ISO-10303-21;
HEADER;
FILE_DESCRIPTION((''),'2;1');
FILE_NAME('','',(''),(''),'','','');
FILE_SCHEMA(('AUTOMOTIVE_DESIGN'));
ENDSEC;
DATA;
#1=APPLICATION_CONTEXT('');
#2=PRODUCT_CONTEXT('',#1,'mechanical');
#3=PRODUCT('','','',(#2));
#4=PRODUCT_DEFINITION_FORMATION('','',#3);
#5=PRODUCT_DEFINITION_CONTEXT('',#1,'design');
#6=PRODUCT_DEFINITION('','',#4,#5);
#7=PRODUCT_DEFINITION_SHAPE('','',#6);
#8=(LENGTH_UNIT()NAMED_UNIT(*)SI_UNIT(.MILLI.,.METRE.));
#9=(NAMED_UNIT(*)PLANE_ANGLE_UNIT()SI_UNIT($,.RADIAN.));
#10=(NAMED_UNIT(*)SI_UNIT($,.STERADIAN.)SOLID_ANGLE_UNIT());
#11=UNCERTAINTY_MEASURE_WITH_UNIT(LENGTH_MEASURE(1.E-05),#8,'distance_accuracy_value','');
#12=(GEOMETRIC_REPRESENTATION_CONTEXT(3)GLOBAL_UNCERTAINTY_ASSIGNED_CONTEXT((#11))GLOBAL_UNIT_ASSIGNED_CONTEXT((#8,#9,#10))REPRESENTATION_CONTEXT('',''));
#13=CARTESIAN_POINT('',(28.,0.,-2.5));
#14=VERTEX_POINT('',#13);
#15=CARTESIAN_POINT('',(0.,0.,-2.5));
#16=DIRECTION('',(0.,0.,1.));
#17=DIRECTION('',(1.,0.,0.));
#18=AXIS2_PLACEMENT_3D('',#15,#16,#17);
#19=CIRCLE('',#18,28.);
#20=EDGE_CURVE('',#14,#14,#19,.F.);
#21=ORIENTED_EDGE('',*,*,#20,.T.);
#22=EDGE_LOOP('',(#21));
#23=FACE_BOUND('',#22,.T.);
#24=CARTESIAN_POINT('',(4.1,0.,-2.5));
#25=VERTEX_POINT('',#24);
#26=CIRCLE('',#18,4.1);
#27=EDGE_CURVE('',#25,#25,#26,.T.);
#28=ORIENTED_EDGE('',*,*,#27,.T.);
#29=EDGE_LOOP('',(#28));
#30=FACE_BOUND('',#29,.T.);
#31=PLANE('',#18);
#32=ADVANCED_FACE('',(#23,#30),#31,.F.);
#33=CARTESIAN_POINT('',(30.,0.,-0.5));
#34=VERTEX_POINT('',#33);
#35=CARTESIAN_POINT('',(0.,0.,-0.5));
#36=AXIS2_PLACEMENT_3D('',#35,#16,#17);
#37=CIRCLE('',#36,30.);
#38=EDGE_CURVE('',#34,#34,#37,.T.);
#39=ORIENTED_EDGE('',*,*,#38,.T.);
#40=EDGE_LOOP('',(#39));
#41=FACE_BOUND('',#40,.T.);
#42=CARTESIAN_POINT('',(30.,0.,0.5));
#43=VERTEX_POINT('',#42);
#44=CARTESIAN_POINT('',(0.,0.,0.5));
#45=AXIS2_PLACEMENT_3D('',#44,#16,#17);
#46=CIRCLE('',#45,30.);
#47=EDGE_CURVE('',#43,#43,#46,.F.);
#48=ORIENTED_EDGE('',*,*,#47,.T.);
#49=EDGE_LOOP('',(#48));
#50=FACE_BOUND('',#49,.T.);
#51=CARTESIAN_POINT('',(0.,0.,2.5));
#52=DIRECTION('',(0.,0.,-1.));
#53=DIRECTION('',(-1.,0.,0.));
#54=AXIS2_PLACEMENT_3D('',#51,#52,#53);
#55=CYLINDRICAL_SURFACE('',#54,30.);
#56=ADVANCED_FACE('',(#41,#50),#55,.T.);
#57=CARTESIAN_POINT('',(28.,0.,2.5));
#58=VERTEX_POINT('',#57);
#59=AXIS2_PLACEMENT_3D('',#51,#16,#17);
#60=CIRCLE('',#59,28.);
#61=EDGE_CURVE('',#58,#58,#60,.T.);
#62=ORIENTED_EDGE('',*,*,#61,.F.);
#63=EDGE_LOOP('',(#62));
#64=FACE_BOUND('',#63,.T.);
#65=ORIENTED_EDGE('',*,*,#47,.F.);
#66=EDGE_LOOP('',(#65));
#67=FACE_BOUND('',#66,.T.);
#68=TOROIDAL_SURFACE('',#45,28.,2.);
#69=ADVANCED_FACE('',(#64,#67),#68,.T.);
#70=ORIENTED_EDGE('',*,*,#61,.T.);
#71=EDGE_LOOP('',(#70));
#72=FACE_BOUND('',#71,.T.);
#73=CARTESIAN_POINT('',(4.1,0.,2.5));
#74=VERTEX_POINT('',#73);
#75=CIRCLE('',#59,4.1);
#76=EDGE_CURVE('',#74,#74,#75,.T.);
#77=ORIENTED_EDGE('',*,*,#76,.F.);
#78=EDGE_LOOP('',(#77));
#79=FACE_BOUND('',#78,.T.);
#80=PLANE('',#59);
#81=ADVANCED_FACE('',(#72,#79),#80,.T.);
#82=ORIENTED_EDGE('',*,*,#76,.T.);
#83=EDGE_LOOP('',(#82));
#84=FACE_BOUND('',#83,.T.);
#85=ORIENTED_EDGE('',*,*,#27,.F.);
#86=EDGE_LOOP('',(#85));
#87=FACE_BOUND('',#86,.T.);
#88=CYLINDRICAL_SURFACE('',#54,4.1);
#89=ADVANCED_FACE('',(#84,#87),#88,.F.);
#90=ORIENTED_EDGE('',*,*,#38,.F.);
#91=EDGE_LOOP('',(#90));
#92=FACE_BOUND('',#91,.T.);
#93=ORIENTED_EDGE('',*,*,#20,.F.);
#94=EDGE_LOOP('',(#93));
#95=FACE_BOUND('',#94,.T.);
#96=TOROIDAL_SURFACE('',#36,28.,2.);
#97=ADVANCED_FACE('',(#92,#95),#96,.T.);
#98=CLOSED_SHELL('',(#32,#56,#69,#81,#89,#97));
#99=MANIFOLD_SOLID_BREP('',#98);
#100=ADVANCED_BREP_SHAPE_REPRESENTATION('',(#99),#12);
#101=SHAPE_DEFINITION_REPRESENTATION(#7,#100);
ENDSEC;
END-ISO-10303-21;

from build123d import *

# Parameters (mm, degrees)
SKIZZE1_R                       = 30
SKIZZE1_R_2                     = 4.1
AUFSATZ_LINEAR_AUSTRAGEN1_DEPTH = 2.5
VERRUNDUNG1_R                   = 2


with BuildPart() as part:
    # Skizze1 → Aufsatz-Linear austragen1 (new body, symmetric)
    with BuildSketch(Plane.XY):
        Circle(SKIZZE1_R)
        Circle(SKIZZE1_R_2, mode=Mode.SUBTRACT)
    extrude(amount=AUFSATZ_LINEAR_AUSTRAGEN1_DEPTH, both=True)

    # Verrundung1
    verrundung1_edges = [part.edges().sort_by_distance(p)[0] for p in [
        (-30, 0, -2.5),
        (-30, 0, 2.5),
    ]]
    fillet(verrundung1_edges, radius=VERRUNDUNG1_R)


solid = part.part
